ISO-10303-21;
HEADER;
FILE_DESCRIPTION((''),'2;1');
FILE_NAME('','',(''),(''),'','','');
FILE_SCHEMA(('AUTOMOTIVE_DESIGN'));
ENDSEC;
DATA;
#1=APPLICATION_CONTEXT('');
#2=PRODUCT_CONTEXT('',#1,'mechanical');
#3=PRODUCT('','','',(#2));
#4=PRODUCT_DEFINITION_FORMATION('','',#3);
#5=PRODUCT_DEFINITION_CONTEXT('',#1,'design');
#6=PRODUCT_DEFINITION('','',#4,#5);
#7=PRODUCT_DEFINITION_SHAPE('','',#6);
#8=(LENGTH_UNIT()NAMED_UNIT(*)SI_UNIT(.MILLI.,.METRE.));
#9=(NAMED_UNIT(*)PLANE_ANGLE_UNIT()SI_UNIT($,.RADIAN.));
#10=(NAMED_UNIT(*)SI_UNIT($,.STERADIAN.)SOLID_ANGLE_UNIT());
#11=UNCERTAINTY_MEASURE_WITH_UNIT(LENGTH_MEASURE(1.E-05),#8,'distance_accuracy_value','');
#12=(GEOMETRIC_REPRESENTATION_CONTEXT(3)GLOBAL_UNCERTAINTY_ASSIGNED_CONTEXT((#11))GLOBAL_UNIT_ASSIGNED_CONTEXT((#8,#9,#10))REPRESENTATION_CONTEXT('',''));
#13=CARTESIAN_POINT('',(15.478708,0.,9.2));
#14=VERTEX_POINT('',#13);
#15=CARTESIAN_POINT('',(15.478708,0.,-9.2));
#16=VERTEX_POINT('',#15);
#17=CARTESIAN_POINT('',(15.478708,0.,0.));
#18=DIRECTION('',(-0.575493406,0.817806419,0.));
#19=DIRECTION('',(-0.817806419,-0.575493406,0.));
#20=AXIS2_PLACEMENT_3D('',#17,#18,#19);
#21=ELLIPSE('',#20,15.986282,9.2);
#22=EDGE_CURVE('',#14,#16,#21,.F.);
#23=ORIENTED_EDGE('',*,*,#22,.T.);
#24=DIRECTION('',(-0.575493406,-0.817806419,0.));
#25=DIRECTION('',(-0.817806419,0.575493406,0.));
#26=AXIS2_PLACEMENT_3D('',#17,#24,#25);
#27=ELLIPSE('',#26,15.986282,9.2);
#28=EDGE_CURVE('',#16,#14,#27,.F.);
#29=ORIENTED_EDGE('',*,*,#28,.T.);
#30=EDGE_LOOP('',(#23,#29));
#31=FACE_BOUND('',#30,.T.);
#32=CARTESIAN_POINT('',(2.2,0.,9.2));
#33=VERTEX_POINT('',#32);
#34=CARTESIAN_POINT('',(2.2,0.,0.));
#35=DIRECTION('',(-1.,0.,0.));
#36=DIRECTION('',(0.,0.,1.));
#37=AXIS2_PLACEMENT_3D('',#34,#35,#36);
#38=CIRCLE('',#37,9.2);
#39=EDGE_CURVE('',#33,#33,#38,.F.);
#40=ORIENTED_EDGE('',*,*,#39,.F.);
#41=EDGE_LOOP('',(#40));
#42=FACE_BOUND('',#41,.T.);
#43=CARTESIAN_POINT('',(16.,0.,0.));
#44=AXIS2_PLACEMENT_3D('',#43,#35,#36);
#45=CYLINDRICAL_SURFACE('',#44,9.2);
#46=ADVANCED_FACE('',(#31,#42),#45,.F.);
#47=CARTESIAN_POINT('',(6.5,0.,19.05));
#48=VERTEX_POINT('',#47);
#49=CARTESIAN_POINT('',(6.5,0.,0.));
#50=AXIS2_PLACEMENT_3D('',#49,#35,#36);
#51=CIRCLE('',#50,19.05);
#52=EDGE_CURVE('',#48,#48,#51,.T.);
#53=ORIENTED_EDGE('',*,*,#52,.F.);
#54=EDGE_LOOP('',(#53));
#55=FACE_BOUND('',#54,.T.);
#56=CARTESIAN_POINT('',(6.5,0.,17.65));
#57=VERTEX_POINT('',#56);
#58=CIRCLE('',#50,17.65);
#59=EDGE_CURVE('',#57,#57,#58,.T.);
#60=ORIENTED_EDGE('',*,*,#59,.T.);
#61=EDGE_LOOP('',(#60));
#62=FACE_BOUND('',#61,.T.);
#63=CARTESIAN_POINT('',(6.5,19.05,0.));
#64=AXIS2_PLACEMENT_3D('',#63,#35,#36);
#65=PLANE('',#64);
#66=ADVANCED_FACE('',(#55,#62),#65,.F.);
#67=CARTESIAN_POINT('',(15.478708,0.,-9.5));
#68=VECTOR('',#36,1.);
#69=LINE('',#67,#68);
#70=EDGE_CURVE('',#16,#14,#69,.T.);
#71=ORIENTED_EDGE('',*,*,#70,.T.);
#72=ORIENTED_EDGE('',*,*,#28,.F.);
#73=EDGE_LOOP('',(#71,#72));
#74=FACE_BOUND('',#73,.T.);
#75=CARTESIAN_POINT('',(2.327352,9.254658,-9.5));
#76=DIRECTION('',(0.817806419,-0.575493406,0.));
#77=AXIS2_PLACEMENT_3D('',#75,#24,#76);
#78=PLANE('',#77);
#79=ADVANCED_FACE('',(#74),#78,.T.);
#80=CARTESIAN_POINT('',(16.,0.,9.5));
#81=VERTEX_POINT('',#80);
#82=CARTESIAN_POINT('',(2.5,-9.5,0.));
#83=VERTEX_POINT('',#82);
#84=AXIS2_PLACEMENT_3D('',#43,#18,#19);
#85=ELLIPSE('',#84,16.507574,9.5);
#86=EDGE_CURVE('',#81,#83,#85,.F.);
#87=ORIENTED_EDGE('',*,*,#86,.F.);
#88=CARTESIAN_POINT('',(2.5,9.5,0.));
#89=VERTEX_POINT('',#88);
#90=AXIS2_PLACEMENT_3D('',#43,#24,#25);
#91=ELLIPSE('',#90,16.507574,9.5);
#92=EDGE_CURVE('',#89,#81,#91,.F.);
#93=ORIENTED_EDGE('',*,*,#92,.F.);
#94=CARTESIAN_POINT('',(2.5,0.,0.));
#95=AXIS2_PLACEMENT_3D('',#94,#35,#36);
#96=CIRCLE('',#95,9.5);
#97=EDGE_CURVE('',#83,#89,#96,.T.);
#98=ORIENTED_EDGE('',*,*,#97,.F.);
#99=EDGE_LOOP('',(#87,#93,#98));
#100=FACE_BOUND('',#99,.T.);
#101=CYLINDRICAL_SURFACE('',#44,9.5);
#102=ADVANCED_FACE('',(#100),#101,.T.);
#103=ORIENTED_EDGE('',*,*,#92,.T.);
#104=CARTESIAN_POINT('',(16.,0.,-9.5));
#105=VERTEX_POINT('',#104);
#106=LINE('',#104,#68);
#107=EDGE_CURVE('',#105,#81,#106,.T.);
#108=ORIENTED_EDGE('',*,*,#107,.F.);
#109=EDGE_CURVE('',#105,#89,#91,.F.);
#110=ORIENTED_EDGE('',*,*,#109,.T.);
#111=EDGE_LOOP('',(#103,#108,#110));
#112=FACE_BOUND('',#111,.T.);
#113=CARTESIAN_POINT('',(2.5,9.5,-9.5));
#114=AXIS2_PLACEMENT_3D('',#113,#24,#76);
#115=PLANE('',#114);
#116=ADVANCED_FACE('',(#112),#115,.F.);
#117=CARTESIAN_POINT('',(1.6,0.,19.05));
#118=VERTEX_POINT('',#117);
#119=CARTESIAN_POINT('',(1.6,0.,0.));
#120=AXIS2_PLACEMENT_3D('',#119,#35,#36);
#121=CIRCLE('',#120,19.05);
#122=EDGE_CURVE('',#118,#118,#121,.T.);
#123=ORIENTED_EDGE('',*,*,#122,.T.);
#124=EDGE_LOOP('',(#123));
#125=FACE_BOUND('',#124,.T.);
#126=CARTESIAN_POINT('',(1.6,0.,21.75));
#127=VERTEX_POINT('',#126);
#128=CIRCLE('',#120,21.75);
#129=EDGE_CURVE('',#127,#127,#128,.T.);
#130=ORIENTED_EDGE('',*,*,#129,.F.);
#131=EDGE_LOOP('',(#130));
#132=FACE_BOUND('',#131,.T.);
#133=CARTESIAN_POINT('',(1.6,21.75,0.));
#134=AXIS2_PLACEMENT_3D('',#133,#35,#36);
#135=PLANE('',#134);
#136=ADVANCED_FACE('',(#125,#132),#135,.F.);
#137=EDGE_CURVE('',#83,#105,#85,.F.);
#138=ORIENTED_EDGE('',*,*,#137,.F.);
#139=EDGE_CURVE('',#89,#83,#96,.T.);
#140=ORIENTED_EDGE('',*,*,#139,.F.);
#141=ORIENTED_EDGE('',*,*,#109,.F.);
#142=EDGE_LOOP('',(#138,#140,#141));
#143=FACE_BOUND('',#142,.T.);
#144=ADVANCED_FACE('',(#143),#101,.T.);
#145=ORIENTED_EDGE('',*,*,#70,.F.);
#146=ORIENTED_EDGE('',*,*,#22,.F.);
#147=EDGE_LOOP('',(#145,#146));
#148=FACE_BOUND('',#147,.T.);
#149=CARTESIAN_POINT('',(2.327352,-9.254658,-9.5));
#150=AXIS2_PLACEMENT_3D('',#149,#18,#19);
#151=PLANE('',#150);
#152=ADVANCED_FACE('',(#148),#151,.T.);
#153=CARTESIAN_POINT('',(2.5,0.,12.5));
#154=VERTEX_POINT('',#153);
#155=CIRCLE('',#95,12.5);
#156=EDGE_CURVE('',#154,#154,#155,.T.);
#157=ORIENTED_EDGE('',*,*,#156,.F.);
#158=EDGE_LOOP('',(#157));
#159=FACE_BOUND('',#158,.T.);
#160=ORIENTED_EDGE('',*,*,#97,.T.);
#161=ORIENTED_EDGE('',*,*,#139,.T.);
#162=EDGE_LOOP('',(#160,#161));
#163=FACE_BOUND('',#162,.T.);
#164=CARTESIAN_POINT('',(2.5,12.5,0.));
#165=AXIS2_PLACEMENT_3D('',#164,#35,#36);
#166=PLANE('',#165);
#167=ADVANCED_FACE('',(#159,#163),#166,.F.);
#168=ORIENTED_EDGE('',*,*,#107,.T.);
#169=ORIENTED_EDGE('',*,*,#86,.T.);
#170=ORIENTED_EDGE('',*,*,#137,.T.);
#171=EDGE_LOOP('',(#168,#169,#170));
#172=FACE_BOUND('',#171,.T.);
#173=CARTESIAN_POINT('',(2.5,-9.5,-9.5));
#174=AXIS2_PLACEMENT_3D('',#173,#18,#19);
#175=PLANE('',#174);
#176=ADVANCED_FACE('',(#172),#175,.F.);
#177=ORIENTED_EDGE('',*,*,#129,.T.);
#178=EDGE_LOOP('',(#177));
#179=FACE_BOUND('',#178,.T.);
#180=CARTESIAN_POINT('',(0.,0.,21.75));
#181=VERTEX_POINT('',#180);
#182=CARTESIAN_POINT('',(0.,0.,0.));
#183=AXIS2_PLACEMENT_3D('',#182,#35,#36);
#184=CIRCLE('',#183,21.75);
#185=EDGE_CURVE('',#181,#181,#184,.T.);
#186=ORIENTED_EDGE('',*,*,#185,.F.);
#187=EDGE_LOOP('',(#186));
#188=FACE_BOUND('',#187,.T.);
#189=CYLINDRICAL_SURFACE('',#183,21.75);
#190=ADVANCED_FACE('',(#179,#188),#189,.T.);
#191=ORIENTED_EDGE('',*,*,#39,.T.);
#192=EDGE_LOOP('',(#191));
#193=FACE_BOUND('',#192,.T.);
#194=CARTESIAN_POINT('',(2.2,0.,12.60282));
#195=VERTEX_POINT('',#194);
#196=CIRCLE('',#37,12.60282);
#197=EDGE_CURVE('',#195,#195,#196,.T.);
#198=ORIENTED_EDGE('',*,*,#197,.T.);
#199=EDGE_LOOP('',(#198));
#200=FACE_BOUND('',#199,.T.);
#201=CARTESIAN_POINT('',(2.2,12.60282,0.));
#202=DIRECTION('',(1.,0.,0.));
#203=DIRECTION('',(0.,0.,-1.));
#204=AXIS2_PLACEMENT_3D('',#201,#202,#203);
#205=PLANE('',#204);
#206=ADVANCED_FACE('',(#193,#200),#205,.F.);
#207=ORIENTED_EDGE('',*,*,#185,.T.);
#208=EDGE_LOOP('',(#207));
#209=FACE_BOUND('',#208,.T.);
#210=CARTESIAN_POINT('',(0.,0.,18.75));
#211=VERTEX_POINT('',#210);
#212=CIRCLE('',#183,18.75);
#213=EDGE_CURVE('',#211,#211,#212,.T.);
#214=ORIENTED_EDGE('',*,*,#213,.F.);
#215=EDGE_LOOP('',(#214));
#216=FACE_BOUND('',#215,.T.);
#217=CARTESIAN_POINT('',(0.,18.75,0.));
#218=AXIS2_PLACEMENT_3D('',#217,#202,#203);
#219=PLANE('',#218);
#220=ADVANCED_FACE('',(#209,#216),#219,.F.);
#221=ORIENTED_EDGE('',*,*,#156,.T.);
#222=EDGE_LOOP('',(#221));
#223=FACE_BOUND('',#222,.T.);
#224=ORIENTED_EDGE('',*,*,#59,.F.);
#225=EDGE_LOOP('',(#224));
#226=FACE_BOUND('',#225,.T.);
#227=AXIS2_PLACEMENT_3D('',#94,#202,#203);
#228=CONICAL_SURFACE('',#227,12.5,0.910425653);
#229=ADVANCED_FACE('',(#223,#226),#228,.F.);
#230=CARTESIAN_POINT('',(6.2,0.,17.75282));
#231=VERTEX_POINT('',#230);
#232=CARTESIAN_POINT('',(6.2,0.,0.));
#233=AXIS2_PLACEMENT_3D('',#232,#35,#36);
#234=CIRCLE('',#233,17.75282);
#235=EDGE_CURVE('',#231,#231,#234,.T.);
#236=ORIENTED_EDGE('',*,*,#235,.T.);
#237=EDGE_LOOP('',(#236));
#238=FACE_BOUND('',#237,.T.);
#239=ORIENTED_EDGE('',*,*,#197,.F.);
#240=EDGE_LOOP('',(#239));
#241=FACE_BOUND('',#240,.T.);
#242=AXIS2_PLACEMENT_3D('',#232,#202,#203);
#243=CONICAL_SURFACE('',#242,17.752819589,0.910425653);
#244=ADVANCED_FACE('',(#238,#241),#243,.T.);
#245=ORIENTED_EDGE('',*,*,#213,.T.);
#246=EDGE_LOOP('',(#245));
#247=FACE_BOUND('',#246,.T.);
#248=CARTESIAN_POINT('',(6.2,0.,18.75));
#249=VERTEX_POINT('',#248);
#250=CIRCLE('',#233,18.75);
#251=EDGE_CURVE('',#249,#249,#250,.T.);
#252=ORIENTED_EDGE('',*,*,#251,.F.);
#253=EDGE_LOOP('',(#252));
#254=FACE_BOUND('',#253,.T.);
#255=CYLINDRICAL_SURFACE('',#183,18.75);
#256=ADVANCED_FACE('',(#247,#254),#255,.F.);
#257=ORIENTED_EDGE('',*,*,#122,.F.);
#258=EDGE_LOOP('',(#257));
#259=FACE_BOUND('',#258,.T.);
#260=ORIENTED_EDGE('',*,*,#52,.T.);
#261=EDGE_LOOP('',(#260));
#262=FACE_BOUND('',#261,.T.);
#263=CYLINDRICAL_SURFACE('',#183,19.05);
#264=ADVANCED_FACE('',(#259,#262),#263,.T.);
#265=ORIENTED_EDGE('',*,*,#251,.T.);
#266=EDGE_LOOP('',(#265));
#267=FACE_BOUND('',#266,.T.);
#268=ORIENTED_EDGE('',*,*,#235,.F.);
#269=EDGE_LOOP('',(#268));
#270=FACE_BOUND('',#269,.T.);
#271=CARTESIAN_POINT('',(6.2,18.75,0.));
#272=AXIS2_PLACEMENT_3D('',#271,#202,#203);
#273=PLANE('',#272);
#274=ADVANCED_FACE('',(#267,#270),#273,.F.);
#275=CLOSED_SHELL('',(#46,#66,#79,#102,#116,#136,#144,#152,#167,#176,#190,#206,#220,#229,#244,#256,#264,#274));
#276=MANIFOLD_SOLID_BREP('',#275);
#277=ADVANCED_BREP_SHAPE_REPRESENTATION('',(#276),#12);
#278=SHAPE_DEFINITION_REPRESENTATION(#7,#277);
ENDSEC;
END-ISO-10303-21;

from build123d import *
from build123d.topology import SkipClean

# Parameters (mm, degrees)
SKETCH3_R               = 9.5
BOSS_EXTRUDE1_DEPTH     = 16
CUT_EXTRUDE1_DEPTH      = 21.892582416
CUT_EXTRUDE1_DEPTH_BACK = 21.892582416
SHELL7_T                = -0.3
SKETCH8_R               = 10.705762979
CUT_EXTRUDE5_DEPTH      = 10


with BuildPart() as part:
    # Sketch3 → Boss-Extrude1 (new body)
    with BuildSketch(Plane.ZY):
        Circle(SKETCH3_R)
    extrude(amount=-BOSS_EXTRUDE1_DEPTH)

    # Sketch4 → Cut-Extrude1 (cut, two sides: drawn at the far end of the back side and taken through both)
    with BuildSketch(Plane.XY.offset(-CUT_EXTRUDE1_DEPTH_BACK)):
        Polygon((2.5, 9.5), (18.05891099, 17.267926144), (18.05891099, -17.267926144), (2.5, -9.5), (16, 0), align=None)
    extrude(amount=CUT_EXTRUDE1_DEPTH + CUT_EXTRUDE1_DEPTH_BACK, mode=Mode.SUBTRACT)

    # Shell7
    shell7_openings = [part.faces().sort_by_distance(p)[0] for p in [
        (0, 0, 0),
    ]]
    offset(amount=SHELL7_T, openings=shell7_openings, kind=Kind.INTERSECTION)

    # Sketch1 → Revolve1 (revolve)
    with SkipClean():  # the faces are left unmerged after this step: merging them gives an invalid solid
        with BuildSketch(Plane.XY, mode=Mode.PRIVATE) as revolve1_sk:
            Polygon((0, 18.75), (0, 21.75), (1.6, 21.75), (1.6, 19.05), (6.5, 19.05), (6.5, 17.65), (2.5, 12.5), (2.5, 9.5), (2.2, 9.5), (2.2, 12.602819589), (6.2, 17.752819589), (6.2, 18.75), align=None)
        revolve(revolve1_sk.sketch.rotate(Axis((0, 0, 0), (1, 0, 0)), 90), axis=Axis((0, 0, 0), (1, 0, 0)))

    # Sketch8 → Cut-Extrude5 (cut)
    with SkipClean():  # the faces are left unmerged after this step: merging them gives an invalid solid
        with BuildSketch(Plane.ZY.offset(-2.2)):
            Circle(SKETCH8_R)
        extrude(amount=CUT_EXTRUDE5_DEPTH, mode=Mode.SUBTRACT)


solid = part.part
